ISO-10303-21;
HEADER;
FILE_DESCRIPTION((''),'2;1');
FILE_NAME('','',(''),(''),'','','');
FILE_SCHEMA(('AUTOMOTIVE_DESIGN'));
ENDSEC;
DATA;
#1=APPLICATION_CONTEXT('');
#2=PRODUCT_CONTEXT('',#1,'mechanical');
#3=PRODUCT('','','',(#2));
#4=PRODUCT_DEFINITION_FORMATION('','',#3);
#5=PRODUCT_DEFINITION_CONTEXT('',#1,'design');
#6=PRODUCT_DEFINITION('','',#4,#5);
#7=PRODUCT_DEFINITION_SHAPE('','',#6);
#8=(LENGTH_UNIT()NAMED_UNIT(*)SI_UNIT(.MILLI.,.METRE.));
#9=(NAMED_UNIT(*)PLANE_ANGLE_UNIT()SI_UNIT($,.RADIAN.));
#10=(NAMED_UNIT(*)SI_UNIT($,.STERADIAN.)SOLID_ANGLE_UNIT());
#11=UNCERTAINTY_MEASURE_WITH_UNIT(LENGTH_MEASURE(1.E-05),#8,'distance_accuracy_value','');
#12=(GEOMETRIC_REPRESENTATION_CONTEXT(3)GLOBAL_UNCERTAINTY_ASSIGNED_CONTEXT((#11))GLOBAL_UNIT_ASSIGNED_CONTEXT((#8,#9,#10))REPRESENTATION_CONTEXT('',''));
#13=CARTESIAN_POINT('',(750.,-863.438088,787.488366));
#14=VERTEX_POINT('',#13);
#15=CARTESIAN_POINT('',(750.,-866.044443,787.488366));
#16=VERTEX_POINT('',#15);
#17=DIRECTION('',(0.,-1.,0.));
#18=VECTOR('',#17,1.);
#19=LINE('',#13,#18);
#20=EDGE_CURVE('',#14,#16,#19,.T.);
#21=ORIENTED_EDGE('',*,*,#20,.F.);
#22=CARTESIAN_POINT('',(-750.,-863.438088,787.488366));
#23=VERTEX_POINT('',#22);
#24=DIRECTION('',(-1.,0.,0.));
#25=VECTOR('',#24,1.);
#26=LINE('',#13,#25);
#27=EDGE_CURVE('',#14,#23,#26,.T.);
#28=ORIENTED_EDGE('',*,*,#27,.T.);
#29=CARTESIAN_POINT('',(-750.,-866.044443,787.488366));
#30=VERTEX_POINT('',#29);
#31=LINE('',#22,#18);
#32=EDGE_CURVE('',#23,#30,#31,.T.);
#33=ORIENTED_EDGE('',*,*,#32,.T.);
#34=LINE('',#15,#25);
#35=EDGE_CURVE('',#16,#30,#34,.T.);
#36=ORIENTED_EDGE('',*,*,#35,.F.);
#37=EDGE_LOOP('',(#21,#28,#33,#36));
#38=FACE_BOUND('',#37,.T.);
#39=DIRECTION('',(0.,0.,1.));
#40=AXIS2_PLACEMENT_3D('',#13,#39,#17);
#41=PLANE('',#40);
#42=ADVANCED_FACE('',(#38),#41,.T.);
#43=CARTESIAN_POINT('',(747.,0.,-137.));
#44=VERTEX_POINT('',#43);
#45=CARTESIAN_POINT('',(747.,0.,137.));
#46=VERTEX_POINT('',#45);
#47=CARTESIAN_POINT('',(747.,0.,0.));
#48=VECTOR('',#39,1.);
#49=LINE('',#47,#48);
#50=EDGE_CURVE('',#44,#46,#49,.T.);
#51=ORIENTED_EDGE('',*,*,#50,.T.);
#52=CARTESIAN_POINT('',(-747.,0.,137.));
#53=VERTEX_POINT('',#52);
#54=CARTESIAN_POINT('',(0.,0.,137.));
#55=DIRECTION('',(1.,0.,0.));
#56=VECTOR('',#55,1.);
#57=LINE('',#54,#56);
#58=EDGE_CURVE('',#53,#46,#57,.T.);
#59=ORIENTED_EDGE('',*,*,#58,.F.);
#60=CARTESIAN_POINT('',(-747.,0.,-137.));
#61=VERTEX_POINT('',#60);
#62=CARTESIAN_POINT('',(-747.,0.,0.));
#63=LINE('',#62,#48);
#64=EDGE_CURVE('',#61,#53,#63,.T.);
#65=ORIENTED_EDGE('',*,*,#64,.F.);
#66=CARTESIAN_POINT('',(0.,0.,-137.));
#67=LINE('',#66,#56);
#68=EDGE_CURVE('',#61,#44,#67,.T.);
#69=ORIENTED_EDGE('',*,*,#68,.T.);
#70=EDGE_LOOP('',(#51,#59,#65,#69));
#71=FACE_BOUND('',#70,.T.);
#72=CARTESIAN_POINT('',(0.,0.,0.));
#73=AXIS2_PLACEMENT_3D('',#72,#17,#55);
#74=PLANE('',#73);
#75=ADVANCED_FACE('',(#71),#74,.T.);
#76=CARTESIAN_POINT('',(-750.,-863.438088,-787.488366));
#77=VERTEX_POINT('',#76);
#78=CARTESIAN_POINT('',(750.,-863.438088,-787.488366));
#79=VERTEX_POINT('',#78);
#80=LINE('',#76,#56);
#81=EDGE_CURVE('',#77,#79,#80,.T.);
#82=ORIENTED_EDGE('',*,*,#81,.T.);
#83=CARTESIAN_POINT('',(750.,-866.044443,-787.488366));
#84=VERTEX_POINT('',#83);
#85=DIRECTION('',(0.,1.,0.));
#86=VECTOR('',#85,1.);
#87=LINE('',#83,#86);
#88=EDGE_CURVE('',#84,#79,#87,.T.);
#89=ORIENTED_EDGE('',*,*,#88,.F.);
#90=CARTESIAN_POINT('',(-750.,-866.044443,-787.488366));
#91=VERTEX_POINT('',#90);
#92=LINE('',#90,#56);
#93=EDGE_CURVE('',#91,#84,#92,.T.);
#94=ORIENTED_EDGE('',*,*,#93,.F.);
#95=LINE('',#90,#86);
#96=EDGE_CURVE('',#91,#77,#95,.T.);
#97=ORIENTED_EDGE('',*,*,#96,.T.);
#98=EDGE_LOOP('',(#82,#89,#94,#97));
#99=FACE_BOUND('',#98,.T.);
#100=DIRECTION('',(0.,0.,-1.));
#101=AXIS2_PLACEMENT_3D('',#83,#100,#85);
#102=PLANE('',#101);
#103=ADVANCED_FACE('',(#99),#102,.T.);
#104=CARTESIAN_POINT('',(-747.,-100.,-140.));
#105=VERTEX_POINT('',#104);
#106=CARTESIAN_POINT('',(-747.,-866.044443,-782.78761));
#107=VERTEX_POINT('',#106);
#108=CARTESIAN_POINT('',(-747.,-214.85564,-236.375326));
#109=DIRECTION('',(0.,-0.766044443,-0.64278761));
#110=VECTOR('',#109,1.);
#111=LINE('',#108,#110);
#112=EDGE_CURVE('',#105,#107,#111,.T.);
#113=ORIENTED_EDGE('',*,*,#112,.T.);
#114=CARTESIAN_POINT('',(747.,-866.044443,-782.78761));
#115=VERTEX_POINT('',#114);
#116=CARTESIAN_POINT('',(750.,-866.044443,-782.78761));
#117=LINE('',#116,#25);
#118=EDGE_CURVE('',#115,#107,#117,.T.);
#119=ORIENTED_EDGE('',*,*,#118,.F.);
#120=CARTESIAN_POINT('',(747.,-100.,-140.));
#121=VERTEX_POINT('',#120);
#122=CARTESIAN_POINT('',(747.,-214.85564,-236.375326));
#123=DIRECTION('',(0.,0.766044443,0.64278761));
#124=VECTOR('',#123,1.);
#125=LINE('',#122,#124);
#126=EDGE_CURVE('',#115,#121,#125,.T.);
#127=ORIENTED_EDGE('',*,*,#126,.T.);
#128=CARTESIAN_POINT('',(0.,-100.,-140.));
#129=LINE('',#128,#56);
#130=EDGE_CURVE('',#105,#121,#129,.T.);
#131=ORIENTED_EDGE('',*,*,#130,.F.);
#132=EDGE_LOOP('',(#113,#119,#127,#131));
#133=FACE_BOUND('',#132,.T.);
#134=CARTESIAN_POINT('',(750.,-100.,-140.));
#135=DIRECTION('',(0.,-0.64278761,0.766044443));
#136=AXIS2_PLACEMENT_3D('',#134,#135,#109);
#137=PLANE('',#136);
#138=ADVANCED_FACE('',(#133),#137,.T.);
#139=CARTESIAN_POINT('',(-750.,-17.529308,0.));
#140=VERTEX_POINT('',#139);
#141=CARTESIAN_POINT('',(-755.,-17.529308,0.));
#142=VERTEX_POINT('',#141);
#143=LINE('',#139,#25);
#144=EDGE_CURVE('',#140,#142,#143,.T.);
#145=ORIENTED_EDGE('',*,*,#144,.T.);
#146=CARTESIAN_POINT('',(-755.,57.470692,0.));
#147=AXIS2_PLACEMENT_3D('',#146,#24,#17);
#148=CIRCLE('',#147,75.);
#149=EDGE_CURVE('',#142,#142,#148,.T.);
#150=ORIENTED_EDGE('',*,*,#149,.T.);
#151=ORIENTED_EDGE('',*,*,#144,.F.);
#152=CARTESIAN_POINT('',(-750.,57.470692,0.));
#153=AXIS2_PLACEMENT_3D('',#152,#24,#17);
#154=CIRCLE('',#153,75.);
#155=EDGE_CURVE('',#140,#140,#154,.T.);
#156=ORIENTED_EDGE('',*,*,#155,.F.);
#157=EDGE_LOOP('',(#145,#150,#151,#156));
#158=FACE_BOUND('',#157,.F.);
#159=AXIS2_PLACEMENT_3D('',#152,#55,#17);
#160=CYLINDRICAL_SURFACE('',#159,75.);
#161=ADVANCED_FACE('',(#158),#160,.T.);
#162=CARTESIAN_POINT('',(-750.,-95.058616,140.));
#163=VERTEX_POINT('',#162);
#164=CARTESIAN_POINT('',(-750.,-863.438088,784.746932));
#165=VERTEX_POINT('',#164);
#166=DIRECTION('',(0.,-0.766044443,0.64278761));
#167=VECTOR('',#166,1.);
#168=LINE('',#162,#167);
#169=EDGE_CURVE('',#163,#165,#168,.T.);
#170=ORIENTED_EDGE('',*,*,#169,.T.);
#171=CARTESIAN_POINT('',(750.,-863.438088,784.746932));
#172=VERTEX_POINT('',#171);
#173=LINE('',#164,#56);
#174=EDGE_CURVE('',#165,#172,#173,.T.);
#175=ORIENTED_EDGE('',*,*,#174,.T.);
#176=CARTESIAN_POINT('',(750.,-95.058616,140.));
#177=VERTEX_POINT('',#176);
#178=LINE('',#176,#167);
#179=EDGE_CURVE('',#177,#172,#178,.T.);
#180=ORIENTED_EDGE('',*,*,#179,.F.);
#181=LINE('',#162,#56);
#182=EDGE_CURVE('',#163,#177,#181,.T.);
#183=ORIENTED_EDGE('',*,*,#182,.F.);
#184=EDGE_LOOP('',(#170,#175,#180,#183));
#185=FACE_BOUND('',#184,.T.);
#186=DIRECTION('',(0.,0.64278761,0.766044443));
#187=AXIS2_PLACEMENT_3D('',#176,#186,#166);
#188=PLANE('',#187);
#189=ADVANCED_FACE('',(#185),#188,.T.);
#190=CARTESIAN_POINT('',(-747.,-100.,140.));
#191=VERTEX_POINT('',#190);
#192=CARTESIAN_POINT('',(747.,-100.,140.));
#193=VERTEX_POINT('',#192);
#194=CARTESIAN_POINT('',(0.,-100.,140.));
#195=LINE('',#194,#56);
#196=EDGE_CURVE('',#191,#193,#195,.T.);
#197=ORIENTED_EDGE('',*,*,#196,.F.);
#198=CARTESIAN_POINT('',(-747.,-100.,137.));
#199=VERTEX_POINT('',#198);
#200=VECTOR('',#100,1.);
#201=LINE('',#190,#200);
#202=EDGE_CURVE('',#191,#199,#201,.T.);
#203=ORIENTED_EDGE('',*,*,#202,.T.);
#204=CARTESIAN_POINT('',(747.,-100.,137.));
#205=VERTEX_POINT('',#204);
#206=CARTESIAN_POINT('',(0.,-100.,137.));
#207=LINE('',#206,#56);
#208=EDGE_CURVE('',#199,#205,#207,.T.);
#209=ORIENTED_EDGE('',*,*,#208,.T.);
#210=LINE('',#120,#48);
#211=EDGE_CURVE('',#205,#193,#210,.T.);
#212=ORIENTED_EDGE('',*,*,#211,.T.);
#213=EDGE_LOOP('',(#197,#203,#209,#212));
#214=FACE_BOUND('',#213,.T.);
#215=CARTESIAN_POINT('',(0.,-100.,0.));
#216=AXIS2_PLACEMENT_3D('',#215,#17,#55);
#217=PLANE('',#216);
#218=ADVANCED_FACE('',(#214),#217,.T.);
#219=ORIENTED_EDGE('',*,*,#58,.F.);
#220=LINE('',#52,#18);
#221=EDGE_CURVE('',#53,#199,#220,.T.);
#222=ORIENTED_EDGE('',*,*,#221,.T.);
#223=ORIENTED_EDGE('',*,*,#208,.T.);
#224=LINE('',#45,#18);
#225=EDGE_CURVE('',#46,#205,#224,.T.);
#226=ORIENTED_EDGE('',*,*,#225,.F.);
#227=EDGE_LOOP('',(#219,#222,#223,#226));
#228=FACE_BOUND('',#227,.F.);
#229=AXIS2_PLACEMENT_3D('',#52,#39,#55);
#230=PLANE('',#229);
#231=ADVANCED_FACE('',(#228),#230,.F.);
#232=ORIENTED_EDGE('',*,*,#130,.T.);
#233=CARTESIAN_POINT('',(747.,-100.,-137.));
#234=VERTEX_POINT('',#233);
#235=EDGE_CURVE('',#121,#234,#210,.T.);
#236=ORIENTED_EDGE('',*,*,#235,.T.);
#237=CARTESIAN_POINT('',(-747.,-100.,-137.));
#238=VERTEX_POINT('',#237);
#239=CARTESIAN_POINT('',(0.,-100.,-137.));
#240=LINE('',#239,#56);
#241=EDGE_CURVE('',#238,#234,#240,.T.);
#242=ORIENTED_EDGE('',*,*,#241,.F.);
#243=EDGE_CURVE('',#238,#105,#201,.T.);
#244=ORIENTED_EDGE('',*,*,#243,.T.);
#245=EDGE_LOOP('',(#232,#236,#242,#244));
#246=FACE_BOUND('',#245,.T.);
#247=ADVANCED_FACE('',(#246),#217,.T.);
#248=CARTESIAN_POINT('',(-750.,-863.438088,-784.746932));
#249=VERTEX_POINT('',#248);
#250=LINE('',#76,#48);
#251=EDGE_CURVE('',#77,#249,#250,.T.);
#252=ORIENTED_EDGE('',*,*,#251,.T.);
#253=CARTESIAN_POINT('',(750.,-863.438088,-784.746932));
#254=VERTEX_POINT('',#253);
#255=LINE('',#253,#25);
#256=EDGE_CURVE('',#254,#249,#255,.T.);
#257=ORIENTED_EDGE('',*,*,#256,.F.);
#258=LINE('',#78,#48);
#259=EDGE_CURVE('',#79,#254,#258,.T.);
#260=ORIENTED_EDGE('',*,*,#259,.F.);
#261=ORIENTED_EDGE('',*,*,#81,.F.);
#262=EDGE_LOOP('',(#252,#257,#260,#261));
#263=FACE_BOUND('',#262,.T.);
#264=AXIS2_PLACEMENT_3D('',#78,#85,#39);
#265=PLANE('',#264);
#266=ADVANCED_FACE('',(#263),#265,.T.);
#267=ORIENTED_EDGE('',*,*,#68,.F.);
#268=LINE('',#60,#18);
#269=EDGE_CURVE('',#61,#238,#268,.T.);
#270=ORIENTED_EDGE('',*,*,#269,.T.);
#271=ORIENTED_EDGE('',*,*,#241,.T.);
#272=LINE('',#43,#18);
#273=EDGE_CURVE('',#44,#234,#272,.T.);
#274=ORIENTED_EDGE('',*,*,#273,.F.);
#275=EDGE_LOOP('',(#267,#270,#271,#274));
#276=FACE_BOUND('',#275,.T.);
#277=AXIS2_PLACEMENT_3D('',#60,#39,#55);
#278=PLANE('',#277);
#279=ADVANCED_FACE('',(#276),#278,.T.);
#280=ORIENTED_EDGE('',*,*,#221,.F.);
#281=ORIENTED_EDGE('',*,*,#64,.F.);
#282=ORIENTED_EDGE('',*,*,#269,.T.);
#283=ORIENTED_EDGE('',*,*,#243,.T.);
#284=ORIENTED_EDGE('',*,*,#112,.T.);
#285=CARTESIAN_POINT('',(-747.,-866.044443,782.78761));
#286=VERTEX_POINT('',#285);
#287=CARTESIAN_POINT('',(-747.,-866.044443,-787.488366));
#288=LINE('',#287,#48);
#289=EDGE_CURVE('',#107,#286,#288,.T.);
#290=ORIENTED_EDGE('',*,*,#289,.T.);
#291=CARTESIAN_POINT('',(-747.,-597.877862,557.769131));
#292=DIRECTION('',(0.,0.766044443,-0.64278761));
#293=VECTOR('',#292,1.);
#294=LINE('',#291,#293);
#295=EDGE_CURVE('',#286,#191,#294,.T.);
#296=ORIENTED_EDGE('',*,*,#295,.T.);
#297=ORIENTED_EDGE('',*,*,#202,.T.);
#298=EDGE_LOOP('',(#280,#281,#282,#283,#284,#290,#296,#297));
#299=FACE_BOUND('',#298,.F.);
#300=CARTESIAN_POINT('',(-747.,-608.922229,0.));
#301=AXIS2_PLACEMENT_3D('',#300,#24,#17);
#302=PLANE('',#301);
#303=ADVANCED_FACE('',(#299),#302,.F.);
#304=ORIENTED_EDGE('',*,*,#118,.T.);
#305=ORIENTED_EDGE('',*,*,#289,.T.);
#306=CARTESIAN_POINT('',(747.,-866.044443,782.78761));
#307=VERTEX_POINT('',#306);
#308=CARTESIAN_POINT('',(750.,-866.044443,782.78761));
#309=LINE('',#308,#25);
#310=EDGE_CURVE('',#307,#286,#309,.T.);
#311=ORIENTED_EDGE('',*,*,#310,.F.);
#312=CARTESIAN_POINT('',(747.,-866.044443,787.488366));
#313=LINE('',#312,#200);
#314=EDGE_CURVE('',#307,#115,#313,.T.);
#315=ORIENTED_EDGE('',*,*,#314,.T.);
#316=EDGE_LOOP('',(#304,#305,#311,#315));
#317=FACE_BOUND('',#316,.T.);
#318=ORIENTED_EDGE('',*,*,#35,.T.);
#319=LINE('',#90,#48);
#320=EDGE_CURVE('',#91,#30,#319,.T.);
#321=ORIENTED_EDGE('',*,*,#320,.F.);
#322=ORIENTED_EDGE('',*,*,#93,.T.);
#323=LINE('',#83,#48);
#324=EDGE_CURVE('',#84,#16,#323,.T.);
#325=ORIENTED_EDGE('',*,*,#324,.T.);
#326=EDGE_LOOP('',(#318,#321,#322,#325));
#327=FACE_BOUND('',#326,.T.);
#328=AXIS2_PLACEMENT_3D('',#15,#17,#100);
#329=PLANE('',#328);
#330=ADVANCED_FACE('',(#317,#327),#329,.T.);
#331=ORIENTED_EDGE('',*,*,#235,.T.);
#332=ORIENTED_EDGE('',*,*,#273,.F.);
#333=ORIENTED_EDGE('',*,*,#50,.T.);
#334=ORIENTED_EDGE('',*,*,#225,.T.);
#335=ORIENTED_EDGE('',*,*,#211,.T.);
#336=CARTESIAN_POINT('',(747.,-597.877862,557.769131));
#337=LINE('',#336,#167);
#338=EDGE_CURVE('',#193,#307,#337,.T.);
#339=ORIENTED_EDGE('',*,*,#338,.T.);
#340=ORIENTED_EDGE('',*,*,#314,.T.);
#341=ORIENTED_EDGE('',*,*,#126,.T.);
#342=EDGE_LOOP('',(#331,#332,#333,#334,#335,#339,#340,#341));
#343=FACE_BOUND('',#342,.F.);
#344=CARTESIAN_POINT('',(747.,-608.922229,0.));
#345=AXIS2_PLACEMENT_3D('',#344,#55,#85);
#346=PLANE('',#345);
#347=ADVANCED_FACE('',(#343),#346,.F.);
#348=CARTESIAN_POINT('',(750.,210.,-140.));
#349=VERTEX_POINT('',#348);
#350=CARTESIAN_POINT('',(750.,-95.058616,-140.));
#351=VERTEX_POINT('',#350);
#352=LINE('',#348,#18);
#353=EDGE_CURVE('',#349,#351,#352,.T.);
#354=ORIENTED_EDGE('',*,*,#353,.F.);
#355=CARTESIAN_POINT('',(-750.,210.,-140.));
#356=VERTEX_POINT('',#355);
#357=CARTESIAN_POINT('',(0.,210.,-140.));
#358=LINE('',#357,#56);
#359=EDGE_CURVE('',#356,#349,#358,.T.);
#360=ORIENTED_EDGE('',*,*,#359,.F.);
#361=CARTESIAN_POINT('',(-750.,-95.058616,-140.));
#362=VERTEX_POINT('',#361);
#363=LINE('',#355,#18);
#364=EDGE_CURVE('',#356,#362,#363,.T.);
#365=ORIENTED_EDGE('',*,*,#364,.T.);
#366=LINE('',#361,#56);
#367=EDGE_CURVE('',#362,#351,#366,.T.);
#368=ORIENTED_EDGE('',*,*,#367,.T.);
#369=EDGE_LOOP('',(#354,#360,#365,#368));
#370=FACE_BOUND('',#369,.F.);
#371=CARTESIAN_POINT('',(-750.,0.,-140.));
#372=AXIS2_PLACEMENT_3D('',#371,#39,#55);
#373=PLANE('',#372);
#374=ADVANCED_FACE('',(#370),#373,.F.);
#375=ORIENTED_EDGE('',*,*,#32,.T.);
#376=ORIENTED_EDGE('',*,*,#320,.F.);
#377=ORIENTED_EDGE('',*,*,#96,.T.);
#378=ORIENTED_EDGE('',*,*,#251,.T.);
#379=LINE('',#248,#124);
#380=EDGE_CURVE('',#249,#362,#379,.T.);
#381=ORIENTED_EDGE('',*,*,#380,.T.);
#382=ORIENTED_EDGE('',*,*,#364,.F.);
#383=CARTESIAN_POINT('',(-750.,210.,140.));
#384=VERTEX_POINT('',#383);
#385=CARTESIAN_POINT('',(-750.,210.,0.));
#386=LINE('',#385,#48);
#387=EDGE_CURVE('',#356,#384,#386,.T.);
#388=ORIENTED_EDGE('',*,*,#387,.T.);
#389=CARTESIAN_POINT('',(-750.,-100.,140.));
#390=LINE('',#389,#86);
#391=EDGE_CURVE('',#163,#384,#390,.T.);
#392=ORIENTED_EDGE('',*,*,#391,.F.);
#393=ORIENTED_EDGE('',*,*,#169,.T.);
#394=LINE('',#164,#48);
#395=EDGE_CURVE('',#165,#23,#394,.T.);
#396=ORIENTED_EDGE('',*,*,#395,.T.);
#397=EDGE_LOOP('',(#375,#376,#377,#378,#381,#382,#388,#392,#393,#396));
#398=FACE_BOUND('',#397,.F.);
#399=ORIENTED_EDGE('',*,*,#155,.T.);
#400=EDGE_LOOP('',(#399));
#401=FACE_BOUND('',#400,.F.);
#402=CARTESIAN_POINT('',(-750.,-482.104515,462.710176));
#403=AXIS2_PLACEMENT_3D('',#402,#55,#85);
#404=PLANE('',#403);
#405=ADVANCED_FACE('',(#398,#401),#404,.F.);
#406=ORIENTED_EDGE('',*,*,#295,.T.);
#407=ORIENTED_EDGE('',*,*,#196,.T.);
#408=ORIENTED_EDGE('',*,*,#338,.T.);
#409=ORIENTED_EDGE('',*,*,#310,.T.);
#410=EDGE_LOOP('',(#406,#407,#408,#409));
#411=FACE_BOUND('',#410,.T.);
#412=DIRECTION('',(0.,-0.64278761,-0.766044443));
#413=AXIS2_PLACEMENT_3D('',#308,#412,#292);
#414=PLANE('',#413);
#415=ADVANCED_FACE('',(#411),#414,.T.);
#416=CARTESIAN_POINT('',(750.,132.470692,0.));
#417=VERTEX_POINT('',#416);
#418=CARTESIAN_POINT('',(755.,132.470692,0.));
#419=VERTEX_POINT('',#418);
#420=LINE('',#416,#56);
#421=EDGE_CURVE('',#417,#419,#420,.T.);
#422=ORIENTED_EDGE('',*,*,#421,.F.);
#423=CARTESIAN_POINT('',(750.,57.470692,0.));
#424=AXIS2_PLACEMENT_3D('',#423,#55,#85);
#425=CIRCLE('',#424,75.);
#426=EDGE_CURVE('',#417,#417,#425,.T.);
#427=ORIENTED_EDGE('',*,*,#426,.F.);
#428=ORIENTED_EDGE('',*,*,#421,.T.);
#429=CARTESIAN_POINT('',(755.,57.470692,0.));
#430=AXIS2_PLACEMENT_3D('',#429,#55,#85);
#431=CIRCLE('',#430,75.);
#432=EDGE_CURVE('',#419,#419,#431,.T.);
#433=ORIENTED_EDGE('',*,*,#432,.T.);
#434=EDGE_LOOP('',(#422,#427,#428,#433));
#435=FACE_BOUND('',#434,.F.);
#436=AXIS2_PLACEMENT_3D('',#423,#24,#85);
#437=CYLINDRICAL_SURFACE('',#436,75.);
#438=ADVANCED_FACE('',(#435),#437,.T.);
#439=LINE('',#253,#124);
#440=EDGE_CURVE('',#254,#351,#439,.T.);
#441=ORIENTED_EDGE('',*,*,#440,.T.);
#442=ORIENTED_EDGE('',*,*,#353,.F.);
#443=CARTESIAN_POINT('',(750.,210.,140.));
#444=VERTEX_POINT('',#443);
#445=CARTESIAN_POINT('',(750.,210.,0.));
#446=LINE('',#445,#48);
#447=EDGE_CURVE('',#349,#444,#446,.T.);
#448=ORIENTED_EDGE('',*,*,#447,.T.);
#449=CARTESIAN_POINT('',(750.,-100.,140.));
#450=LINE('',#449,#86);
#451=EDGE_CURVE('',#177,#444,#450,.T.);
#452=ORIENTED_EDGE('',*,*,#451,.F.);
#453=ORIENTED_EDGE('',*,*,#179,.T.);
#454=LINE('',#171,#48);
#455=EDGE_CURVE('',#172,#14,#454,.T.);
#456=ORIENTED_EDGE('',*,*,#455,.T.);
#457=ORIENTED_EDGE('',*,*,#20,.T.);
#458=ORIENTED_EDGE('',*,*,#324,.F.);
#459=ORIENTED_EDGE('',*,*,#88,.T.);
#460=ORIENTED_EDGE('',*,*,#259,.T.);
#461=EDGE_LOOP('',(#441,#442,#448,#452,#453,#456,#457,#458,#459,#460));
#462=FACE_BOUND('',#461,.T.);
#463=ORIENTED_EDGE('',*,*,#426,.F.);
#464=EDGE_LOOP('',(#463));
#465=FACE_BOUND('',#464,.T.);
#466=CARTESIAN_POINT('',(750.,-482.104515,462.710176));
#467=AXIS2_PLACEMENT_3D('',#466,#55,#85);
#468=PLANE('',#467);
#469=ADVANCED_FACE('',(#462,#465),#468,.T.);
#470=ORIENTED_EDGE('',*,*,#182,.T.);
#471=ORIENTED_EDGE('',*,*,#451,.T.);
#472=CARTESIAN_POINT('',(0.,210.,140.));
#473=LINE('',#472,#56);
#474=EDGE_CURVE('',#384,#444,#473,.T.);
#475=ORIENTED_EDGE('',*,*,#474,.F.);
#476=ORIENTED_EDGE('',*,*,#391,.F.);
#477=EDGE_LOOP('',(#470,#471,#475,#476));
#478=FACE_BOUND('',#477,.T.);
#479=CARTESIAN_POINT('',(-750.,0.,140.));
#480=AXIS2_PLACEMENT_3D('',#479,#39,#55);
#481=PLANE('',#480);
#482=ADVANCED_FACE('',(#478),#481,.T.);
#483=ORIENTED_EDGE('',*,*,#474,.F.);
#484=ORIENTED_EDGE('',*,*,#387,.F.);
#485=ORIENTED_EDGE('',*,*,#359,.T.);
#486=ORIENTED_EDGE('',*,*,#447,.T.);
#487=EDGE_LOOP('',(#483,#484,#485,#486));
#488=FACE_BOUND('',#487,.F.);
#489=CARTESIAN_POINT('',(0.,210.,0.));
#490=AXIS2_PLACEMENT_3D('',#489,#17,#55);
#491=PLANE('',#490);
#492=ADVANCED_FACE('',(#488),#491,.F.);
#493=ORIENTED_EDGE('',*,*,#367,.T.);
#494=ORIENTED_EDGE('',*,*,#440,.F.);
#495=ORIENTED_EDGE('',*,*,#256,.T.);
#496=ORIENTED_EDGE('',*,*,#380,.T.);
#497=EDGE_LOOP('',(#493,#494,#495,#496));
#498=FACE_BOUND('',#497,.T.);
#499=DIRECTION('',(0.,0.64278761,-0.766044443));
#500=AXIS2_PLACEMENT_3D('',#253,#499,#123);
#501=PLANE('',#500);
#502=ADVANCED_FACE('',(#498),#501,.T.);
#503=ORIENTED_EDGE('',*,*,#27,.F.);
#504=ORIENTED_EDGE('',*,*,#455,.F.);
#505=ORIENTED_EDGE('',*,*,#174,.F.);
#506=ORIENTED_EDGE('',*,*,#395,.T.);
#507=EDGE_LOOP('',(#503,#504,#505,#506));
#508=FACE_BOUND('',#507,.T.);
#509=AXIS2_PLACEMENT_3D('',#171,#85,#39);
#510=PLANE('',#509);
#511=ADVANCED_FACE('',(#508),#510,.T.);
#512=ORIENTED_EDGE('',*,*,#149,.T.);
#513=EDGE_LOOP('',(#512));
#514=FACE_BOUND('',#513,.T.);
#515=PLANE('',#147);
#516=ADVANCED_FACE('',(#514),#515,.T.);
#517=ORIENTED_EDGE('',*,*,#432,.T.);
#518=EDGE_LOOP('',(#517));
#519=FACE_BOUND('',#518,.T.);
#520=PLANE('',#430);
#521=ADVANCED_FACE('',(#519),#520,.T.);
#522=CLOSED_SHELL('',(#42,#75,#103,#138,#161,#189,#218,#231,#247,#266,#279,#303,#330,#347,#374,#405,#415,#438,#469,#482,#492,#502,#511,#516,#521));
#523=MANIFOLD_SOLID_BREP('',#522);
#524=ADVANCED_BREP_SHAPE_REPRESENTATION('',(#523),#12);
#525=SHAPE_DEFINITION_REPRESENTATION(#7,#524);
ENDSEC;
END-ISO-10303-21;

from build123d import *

# Parameters (mm, degrees)
F0_W      = 1500
F0_H      = 280
F1_DEPTH  = 210
F2_W      = 1500
F2_H      = 280
F2_W_2    = 1494
F2_H_2    = 274
F3_DEPTH  = 100
F5_DEPTH  = 1500
F6_R      = 75
F7_DEPTH  = 5
F8_R      = 75
F9_DEPTH  = 5
F11_DEPTH = 3
F13_DEPTH = 3


with BuildPart() as f1:
    # F0 (on Front) → F1 (new body)
    with BuildSketch(Plane.XZ):
        Rectangle(F0_W, F0_H)
    extrude(amount=-F1_DEPTH)

    # F2 (on face) → F3 (join)
    with BuildSketch(Plane.XZ):
        Rectangle(F2_W, F2_H)
        Rectangle(F2_W_2, F2_H_2, mode=Mode.SUBTRACT)
    extrude(amount=F3_DEPTH)

    # F4 (on face) → F5 (join)
    with BuildSketch(Plane.YZ.offset(750)):
        Polygon((-866.044443, 782.78761), (-100, 140), (-95.058616, 140), (-863.438088, 784.746932), (-863.438088, 787.488366), (-866.044443, 787.488366), align=None)
        Polygon((-95.058616, -140), (-100, -140), (-866.044443, -782.78761), (-866.044443, -787.488366), (-863.438088, -787.488366), (-863.438088, -784.746932), align=None)
    extrude(amount=-F5_DEPTH)

    # F6 (on face) → F7 (join)
    with BuildSketch(Plane.YZ.offset(750)):
        with Locations((57.470692, 0)):
            Circle(F6_R)
    extrude(amount=F7_DEPTH)

    # F8 (on face) → F9 (join)
    with BuildSketch(Plane(origin=(-750, 0, 0), x_dir=(0, -1, 0), z_dir=(-1, 0, 0))):
        with Locations((-57.470692, 0)):
            Circle(F8_R)
    extrude(amount=F9_DEPTH)

    # F10 (on face) → F11 (join)
    with BuildSketch(Plane(origin=(-750, 0, 0), x_dir=(0, -1, 0), z_dir=(-1, 0, 0))):
        Polygon((866.044443, 787.488366), (863.438088, 787.488366), (863.438088, 784.746932), (95.058616, 140), (100, 140), (100, -140), (95.058616, -140), (863.438088, -784.746932), (863.438088, -787.488366), (866.044443, -787.488366), (866.044443, -782.78761), (866.044443, 782.78761), align=None)
    extrude(amount=-F11_DEPTH)

    # F12 (on face) → F13 (join)
    with BuildSketch(Plane.YZ.offset(750)):
        Polygon((-866.044443, -782.78761), (-866.044443, -787.488366), (-863.438088, -787.488366), (-863.438088, -784.746932), (-95.058616, -140), (-100, -140), (-100, 140), (-95.058616, 140), (-863.438088, 784.746932), (-863.438088, 787.488366), (-866.044443, 787.488366), (-866.044443, 782.78761), align=None)
    extrude(amount=-F13_DEPTH)


solid = f1.part
